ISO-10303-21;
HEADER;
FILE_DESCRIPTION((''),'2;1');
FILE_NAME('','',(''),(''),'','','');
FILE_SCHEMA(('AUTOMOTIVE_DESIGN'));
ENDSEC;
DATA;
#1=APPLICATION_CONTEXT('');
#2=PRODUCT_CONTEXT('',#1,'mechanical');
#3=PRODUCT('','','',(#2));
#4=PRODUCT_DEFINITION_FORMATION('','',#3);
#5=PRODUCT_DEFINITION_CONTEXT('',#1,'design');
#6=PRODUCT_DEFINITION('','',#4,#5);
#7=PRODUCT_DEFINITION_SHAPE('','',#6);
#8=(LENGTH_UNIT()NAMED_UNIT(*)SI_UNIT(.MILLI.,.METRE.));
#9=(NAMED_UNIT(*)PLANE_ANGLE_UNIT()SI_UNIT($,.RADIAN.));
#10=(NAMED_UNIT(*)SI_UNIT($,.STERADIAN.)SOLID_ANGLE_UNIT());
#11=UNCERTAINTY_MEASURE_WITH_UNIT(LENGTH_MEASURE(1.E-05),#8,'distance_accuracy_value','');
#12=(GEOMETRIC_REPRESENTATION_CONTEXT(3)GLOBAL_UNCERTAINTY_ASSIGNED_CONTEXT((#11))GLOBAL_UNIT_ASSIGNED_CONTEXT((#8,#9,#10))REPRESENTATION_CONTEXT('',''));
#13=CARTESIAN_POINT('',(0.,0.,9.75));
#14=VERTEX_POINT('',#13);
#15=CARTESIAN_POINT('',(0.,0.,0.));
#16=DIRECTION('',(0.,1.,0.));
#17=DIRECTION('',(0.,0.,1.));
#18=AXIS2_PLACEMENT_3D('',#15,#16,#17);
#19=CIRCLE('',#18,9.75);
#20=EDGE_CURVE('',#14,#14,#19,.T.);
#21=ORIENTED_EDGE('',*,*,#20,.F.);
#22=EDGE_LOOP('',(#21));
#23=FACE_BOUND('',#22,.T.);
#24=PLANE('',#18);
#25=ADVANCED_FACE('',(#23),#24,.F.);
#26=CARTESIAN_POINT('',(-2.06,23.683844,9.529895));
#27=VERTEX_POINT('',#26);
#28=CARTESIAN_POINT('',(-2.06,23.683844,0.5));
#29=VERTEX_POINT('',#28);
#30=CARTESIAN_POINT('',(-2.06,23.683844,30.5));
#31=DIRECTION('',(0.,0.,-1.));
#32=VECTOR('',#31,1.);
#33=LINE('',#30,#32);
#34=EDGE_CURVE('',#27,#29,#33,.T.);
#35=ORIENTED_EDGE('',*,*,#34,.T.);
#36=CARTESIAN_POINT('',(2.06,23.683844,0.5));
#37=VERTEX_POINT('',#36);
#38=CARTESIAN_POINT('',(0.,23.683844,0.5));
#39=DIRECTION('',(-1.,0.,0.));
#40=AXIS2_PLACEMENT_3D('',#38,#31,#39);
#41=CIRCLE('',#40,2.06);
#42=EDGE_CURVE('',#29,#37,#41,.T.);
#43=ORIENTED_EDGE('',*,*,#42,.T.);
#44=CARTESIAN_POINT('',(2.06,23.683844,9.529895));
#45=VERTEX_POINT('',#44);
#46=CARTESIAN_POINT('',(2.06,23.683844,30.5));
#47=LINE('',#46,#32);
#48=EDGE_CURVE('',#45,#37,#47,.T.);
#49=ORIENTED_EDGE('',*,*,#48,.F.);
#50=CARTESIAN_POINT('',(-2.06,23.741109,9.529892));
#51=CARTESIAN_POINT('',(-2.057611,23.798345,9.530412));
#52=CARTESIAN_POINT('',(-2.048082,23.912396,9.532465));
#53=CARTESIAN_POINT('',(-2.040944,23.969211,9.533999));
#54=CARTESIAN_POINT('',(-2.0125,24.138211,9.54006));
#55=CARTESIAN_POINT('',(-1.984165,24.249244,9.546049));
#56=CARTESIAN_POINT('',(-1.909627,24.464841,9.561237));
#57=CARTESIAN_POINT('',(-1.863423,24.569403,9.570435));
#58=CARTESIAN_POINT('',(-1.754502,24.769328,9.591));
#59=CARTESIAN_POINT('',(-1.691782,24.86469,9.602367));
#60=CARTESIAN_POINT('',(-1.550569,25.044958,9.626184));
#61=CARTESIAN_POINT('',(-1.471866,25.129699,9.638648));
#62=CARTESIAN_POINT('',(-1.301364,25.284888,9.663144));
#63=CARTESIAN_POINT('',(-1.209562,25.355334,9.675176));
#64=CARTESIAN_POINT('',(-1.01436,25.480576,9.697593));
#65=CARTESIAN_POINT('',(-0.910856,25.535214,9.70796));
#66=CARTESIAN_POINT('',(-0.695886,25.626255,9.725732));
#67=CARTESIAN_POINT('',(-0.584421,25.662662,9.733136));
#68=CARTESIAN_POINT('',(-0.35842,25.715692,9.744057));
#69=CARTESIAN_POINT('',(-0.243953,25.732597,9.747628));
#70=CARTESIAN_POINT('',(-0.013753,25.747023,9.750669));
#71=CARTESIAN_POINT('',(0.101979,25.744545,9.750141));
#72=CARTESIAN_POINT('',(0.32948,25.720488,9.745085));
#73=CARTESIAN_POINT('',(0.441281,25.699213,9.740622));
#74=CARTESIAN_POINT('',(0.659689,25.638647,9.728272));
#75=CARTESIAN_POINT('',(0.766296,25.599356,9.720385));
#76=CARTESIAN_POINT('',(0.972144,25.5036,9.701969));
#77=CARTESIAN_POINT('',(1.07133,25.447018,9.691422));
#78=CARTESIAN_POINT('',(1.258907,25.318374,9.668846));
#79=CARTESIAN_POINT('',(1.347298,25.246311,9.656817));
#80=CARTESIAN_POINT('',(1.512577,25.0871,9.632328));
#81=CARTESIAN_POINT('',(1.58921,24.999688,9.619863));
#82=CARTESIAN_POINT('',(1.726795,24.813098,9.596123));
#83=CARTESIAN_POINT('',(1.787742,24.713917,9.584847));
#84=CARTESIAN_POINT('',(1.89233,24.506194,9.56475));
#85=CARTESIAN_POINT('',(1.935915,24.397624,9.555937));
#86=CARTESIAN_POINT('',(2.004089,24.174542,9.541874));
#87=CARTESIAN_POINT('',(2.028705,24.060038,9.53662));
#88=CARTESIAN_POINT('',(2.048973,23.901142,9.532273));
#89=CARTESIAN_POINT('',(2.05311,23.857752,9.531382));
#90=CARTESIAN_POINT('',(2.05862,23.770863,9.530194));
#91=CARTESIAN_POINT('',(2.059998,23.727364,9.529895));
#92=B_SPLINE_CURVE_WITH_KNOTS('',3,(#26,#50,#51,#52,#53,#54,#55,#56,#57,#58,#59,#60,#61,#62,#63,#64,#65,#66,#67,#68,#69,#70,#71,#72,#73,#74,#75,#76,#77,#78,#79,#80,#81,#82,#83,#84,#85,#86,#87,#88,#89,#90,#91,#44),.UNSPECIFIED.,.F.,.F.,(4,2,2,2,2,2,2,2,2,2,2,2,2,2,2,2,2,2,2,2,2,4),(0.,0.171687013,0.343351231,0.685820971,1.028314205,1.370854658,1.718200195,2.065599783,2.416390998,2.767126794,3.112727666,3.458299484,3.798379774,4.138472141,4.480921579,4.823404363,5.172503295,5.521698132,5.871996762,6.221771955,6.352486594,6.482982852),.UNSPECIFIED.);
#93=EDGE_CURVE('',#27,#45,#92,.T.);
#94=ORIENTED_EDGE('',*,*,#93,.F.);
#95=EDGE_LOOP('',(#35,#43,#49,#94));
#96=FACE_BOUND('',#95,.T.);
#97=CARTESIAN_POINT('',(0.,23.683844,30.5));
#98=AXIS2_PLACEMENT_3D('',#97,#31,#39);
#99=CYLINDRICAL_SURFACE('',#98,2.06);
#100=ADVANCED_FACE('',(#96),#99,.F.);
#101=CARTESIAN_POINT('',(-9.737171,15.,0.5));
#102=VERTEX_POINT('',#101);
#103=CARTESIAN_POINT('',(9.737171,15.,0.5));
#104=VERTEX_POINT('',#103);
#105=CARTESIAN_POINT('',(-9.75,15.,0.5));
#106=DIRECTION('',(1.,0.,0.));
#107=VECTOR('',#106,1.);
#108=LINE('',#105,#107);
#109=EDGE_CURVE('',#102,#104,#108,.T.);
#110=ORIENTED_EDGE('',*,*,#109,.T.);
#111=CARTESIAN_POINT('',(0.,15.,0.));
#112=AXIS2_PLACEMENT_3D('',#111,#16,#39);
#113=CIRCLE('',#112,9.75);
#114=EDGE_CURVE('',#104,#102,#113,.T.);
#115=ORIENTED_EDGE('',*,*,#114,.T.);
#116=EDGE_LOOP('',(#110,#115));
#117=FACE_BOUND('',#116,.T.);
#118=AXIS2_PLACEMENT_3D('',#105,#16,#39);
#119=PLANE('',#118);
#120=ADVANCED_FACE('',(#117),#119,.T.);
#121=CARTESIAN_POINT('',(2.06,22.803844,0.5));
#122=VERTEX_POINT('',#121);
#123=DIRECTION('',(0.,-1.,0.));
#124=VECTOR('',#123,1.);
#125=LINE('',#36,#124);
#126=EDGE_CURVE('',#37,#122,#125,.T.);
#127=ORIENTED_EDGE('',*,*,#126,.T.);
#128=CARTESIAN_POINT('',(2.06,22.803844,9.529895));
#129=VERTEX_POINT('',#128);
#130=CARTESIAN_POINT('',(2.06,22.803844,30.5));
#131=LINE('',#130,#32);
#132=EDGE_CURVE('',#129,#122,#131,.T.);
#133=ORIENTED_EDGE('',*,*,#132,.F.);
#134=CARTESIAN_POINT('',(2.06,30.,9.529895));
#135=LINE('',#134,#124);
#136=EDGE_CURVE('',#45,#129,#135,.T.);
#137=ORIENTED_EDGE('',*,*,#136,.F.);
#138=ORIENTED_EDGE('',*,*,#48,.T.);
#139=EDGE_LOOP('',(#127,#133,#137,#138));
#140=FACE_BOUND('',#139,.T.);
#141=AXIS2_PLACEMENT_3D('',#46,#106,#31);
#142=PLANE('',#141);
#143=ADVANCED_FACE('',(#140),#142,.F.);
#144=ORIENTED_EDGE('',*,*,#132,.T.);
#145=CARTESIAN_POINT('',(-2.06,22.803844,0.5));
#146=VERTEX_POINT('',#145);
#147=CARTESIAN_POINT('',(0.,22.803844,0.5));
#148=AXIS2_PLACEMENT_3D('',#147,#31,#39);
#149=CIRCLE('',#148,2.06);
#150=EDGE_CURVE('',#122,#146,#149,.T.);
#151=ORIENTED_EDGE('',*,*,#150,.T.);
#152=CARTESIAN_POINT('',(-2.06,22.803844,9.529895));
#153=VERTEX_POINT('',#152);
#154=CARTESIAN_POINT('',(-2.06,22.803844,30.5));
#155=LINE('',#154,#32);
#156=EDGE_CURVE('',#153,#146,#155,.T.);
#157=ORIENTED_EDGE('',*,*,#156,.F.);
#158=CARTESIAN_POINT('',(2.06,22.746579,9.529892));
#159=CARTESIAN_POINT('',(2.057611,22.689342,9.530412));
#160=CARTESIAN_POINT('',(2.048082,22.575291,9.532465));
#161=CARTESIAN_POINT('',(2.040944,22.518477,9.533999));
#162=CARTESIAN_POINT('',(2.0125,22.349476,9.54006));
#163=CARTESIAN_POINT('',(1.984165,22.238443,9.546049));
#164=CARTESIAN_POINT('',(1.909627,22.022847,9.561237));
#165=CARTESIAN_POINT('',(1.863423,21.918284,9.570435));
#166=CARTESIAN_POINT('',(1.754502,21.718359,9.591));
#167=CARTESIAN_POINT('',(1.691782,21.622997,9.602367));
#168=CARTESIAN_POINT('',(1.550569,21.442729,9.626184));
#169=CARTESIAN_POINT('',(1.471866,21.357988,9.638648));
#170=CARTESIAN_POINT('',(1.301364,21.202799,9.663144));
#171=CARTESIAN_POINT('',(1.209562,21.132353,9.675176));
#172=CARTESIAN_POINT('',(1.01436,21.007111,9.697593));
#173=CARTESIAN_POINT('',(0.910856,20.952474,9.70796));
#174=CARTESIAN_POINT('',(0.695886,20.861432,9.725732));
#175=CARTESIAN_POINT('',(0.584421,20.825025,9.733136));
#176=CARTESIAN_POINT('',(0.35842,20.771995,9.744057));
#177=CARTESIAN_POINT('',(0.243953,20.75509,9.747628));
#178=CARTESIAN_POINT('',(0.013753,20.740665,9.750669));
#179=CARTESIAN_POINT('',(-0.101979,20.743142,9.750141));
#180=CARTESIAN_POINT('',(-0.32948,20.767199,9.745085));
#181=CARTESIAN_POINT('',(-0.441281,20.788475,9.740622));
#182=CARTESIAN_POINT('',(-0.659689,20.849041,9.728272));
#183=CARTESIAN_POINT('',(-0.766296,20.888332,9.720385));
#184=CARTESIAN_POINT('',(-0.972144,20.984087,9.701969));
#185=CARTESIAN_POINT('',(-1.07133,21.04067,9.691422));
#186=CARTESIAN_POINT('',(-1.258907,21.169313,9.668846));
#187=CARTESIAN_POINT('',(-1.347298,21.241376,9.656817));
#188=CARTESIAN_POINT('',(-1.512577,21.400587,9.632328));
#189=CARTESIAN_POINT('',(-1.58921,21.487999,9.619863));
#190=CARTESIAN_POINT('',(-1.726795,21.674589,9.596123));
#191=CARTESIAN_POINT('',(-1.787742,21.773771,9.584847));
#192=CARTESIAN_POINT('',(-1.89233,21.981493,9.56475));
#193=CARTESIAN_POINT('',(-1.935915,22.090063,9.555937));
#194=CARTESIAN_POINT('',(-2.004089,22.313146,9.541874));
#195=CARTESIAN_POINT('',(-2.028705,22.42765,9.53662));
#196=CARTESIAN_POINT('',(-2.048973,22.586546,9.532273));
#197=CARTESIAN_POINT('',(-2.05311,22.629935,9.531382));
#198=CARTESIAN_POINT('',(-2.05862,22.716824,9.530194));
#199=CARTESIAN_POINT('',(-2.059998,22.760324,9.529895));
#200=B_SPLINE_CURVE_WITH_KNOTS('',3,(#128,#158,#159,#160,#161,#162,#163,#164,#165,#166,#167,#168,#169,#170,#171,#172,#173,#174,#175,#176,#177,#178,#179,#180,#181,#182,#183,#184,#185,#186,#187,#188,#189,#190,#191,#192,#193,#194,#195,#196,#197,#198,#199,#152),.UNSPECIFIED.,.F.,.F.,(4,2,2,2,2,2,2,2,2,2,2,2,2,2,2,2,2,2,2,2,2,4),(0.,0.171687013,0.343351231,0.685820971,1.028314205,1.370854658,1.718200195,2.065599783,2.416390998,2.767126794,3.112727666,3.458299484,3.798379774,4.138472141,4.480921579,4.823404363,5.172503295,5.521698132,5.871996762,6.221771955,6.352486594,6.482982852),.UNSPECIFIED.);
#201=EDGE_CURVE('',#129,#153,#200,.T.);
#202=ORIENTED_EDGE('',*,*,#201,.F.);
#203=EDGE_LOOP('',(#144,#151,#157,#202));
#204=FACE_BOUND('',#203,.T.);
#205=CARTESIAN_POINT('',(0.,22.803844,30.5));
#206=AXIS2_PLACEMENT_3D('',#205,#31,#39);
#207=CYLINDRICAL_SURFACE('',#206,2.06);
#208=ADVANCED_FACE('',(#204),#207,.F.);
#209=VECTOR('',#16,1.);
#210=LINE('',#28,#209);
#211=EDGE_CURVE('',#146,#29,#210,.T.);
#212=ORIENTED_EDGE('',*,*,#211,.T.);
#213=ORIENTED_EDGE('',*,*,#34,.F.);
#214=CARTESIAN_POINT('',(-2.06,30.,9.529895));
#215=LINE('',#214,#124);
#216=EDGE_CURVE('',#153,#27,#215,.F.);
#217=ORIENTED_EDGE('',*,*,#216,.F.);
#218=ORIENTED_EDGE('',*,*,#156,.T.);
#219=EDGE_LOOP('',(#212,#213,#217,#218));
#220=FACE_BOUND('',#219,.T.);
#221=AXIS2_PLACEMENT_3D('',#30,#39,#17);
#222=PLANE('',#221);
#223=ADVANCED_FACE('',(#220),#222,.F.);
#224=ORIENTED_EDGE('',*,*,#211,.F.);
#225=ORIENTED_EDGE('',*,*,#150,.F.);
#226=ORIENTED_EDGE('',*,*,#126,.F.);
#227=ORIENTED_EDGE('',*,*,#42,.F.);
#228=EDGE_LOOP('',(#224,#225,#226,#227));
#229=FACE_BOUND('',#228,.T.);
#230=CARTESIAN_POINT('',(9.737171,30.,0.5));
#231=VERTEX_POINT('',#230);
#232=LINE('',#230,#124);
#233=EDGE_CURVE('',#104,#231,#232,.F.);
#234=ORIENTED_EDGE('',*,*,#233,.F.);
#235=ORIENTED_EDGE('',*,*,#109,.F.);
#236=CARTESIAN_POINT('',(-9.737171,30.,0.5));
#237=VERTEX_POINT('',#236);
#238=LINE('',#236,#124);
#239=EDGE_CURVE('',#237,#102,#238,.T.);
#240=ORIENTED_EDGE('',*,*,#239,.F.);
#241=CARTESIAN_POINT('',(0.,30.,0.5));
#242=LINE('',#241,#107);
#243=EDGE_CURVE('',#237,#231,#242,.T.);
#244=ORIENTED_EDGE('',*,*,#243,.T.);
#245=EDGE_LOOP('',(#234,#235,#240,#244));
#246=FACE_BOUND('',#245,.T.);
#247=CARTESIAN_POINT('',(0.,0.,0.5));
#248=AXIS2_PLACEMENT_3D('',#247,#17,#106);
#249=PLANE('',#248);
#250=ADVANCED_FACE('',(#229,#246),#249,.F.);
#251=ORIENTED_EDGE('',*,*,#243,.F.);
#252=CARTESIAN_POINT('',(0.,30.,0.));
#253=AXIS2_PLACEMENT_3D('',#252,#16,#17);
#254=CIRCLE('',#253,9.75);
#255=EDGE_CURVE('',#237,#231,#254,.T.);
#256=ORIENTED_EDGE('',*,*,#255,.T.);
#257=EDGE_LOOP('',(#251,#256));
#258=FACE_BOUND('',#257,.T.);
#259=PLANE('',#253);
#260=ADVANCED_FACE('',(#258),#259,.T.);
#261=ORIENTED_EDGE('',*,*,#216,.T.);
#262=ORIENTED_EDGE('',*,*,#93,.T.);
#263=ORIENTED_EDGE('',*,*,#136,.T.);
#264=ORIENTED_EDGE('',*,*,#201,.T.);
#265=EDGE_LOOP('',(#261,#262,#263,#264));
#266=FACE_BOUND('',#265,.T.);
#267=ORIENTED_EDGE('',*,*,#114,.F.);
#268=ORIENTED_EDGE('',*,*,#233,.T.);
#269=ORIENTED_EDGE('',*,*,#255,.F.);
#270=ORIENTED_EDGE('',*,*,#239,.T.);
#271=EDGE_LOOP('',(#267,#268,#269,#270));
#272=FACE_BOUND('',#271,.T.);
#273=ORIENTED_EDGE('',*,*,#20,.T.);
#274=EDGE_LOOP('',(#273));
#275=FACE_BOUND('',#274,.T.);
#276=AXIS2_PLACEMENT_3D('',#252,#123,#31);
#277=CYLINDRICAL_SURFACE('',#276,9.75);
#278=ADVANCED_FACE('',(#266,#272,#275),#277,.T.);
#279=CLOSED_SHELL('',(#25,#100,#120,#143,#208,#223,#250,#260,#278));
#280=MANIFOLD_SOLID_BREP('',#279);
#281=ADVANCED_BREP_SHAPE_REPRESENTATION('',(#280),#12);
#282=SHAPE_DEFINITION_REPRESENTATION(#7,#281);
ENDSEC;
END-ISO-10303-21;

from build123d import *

# Parameters (mm, degrees)
SKETCH1_R               = 9.75
BOSS_EXTRUDE1_DEPTH     = 30
CUT_EXTRUDE1_DEPTH      = 0.5
CUT_EXTRUDE1_DEPTH_BACK = 30
SKETCH3_W               = 19.5
SKETCH3_H               = 15
CUT_EXTRUDE2_DEPTH      = 30


with BuildPart() as part:
    # Sketch1 → Boss-Extrude1 (new body)
    with BuildSketch(Plane(origin=(0, 0, 0), x_dir=(1, 0, 0), z_dir=(0, 1, 0))):
        with Locations(Location((0, 0, 0), (0, 0, 270))):
            Circle(SKETCH1_R)
    extrude(amount=BOSS_EXTRUDE1_DEPTH)

    # Sketch3 → Cut-Extrude1 (cut, two sides: drawn at the far end of the back side and taken through both)
    with BuildSketch(Plane.XY.offset(-CUT_EXTRUDE1_DEPTH_BACK)):
        with Locations((0, 22.5)):
            Rectangle(SKETCH3_W, SKETCH3_H)
    extrude(amount=CUT_EXTRUDE1_DEPTH + CUT_EXTRUDE1_DEPTH_BACK, mode=Mode.SUBTRACT)

    # Sketch4 → Cut-Extrude2 (cut)
    with BuildSketch(Plane(origin=(0, 0, 0.5), x_dir=(-1, 0, 0), z_dir=(0, 0, -1))):
        with BuildLine():
            Line((2.06, 23.683843632), (2.06, 22.803843632))
            ThreePointArc((2.06, 22.803843632), (0, 20.743843632), (-2.06, 22.803843632))
            Line((-2.06, 22.803843632), (-2.06, 23.683843632))
            ThreePointArc((-2.06, 23.683843632), (0, 25.743843632), (2.06, 23.683843632))
        make_face()
    extrude(amount=-CUT_EXTRUDE2_DEPTH, mode=Mode.SUBTRACT)


solid = part.part
